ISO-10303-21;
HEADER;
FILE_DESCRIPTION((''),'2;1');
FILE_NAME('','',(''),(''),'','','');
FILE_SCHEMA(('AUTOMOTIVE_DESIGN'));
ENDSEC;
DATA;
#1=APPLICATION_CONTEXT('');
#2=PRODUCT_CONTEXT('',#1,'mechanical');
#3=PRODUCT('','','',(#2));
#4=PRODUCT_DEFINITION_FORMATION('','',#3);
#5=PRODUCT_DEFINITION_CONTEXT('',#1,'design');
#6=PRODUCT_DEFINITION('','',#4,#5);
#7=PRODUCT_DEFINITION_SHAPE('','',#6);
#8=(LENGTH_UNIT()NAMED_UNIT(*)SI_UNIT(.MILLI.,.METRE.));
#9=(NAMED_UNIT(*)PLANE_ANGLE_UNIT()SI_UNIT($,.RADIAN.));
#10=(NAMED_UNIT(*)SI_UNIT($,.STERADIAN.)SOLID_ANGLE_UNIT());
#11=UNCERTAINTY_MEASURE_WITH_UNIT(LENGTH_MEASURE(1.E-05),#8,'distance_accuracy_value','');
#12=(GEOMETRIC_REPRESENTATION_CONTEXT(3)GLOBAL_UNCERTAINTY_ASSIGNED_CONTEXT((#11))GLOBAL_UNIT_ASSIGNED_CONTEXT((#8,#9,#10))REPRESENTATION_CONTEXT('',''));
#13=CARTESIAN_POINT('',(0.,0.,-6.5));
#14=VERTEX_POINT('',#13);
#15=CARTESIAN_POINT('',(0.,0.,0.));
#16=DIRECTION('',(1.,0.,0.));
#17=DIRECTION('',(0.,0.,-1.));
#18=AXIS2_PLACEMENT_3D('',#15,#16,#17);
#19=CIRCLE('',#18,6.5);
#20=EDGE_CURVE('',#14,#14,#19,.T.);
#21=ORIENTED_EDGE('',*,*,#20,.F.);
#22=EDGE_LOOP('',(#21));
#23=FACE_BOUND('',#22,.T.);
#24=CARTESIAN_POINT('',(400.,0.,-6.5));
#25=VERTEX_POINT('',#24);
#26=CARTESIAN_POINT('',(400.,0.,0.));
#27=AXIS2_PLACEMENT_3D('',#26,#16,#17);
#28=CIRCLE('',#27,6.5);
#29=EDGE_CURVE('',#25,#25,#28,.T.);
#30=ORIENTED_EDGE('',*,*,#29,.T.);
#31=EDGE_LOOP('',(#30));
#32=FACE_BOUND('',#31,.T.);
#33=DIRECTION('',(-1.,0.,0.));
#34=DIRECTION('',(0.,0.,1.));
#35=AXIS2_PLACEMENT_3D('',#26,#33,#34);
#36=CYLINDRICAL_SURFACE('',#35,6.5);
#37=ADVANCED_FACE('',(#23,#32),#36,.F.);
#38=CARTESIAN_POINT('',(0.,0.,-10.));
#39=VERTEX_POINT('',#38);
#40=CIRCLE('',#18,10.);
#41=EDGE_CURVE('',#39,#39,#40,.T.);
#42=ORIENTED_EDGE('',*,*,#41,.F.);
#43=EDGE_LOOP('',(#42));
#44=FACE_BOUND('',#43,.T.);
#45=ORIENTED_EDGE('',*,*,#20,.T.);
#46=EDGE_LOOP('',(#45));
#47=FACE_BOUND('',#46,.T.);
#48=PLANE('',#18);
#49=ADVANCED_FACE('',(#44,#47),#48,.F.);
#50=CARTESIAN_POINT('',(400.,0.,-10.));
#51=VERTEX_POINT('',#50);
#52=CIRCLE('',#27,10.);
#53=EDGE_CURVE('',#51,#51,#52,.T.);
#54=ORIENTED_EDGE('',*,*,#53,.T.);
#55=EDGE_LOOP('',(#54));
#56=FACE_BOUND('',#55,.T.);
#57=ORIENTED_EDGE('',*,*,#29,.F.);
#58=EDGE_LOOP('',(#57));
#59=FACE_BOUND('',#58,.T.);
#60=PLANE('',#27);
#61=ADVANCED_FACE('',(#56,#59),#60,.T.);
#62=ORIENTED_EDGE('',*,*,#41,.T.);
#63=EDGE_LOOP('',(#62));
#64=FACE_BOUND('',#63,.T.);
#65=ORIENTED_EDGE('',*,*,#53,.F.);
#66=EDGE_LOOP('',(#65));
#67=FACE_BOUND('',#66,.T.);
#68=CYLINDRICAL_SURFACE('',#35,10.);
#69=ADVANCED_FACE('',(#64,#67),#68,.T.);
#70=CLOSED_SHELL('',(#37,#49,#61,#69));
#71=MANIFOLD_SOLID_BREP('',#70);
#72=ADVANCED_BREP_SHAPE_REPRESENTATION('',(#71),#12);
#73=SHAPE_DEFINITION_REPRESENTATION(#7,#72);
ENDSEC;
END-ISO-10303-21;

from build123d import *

# Parameters (mm, degrees)
SKETCH_1_R      = 10
SKETCH_1_R_2    = 6.5
EXTRUDE_1_DEPTH = 400


with BuildPart() as part:
    # Эскиз1 → Бобышка-Вытянуть1 (new body)
    with BuildSketch(Plane(origin=(0, 0, 0), x_dir=(0, 0, -1), z_dir=(1, 0, 0))):
        Circle(SKETCH_1_R)
        Circle(SKETCH_1_R_2, mode=Mode.SUBTRACT)
    extrude(amount=EXTRUDE_1_DEPTH)


solid = part.part
